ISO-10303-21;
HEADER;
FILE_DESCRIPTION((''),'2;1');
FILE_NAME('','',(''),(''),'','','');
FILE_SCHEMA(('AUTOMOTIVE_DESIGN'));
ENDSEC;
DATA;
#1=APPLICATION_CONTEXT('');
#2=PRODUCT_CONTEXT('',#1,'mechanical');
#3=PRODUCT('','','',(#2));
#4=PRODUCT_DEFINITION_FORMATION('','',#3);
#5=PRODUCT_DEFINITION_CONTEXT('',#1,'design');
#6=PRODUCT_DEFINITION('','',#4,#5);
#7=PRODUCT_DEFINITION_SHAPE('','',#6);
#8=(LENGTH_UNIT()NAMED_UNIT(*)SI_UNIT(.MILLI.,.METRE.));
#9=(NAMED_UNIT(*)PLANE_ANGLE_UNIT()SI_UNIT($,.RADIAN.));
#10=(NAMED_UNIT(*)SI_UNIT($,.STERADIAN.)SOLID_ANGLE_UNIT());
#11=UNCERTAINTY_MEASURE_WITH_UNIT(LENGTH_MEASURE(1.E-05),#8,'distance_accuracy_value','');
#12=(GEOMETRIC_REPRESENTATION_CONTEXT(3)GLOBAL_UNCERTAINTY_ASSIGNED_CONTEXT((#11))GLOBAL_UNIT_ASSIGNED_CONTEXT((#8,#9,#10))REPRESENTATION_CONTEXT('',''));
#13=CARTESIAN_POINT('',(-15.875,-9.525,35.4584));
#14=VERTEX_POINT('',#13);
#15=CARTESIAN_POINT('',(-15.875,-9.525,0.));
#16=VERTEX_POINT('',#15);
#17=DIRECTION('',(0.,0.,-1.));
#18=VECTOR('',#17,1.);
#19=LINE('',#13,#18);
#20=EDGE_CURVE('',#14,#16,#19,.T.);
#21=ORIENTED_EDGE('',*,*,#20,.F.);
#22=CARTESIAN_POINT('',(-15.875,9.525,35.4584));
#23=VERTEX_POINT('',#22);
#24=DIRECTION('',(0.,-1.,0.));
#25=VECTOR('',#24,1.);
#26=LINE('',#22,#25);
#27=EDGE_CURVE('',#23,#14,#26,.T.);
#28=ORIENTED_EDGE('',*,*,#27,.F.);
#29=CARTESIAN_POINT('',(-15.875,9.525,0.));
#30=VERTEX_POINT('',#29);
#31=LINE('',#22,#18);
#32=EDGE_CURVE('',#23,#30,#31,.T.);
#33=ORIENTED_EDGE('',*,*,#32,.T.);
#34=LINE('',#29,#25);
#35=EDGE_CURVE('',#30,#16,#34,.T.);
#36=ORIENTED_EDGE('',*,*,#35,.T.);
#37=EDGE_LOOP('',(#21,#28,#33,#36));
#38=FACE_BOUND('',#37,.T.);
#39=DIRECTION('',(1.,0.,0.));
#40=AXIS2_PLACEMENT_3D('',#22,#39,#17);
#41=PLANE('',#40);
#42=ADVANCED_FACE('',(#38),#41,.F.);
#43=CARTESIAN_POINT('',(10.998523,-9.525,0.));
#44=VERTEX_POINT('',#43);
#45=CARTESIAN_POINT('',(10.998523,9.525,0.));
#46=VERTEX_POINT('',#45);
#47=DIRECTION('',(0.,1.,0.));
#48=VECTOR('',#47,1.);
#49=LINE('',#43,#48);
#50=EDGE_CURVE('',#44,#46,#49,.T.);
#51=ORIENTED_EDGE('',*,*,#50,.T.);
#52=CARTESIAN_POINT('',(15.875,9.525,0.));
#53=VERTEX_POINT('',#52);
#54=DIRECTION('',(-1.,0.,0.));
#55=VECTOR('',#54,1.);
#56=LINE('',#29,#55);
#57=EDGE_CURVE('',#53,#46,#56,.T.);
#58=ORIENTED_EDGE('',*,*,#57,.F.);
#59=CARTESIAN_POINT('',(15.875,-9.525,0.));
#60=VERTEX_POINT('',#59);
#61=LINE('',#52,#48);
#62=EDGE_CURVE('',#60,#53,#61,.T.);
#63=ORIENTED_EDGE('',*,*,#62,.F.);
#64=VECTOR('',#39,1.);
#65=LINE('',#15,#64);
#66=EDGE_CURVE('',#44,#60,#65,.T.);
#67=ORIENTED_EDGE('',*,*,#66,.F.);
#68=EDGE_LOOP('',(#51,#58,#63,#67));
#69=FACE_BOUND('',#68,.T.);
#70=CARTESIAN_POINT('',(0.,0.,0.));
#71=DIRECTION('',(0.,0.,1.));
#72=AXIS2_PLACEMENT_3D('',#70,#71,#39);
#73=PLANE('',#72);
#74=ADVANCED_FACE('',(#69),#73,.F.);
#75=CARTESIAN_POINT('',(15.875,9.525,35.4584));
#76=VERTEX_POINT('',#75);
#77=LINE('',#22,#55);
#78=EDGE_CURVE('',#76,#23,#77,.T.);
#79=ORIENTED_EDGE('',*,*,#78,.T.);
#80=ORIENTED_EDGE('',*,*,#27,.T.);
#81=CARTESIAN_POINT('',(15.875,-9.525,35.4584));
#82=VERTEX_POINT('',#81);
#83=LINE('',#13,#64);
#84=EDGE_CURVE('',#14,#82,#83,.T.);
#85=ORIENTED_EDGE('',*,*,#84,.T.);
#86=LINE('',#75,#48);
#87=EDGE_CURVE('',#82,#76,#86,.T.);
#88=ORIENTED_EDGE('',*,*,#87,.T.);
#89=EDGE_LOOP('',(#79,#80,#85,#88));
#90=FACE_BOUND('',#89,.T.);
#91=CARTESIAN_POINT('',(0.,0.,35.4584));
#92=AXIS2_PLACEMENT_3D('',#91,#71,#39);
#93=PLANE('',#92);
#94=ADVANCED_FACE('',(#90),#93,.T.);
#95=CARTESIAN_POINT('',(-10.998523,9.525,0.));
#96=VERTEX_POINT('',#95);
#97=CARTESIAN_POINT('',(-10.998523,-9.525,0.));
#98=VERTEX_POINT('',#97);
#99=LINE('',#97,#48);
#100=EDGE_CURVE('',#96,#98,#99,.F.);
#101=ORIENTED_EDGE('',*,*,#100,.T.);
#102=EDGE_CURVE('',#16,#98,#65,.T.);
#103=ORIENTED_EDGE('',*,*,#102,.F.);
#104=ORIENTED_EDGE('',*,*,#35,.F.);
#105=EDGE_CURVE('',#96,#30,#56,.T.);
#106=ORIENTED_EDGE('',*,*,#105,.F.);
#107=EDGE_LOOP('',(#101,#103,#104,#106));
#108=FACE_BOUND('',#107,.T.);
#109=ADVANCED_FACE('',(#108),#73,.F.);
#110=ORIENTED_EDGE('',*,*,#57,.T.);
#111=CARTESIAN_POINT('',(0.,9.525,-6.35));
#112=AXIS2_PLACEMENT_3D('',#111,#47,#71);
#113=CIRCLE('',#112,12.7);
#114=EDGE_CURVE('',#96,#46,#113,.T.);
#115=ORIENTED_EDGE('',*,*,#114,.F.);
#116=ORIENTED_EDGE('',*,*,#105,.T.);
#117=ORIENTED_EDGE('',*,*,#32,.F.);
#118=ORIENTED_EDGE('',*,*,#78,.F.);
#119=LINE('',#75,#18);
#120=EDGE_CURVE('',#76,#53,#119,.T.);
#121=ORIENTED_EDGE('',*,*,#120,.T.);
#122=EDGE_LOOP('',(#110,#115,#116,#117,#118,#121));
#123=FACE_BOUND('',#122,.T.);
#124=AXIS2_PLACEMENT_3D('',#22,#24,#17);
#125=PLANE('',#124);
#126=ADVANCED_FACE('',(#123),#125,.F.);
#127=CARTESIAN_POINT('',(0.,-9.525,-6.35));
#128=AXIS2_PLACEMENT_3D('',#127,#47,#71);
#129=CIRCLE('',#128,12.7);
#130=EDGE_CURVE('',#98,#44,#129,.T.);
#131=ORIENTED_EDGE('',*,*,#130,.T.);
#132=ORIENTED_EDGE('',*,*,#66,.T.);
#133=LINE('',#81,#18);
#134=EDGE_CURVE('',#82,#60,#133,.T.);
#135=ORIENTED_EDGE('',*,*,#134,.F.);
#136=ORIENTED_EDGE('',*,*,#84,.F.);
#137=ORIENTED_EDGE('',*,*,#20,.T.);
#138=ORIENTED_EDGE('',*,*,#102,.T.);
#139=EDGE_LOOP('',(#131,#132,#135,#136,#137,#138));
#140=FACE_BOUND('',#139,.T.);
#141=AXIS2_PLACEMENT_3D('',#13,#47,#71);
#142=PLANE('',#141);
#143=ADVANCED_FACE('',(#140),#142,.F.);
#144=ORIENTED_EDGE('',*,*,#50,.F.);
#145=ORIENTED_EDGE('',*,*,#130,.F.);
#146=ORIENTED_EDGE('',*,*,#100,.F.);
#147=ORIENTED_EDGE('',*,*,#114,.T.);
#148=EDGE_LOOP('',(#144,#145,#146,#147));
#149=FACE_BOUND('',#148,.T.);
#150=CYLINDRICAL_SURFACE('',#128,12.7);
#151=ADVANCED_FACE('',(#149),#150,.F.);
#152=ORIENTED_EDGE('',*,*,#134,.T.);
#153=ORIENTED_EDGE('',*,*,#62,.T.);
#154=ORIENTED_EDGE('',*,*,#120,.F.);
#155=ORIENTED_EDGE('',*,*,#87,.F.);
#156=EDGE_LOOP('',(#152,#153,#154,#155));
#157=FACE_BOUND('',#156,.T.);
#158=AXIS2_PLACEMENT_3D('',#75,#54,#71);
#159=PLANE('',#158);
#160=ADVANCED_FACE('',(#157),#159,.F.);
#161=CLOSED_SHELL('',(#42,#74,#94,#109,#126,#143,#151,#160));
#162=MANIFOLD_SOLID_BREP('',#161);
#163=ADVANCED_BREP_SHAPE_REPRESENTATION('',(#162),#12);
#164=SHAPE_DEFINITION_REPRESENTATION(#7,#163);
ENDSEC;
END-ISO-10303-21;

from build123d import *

# Parameters (mm, degrees)
SKETCH1_W           = 31.75
SKETCH1_H           = 19.05
BOSS_EXTRUDE1_DEPTH = 35.4584
SKETCH2_R           = 12.7
CUT_EXTRUDE1_DEPTH  = 44.269114338


with BuildPart() as part:
    # Sketch1 → Boss-Extrude1 (new body)
    with BuildSketch(Plane.XY):
        Rectangle(SKETCH1_W, SKETCH1_H)
    extrude(amount=BOSS_EXTRUDE1_DEPTH)

    # Sketch2 → Cut-Extrude1 (cut, through all)
    with BuildSketch(Plane(origin=(0, 9.525, 0), x_dir=(1, 0, 0), z_dir=(0, 1, 0))):
        with Locations((0, 6.35)):
            Circle(SKETCH2_R)
    extrude(amount=-CUT_EXTRUDE1_DEPTH, mode=Mode.SUBTRACT)


solid = part.part
